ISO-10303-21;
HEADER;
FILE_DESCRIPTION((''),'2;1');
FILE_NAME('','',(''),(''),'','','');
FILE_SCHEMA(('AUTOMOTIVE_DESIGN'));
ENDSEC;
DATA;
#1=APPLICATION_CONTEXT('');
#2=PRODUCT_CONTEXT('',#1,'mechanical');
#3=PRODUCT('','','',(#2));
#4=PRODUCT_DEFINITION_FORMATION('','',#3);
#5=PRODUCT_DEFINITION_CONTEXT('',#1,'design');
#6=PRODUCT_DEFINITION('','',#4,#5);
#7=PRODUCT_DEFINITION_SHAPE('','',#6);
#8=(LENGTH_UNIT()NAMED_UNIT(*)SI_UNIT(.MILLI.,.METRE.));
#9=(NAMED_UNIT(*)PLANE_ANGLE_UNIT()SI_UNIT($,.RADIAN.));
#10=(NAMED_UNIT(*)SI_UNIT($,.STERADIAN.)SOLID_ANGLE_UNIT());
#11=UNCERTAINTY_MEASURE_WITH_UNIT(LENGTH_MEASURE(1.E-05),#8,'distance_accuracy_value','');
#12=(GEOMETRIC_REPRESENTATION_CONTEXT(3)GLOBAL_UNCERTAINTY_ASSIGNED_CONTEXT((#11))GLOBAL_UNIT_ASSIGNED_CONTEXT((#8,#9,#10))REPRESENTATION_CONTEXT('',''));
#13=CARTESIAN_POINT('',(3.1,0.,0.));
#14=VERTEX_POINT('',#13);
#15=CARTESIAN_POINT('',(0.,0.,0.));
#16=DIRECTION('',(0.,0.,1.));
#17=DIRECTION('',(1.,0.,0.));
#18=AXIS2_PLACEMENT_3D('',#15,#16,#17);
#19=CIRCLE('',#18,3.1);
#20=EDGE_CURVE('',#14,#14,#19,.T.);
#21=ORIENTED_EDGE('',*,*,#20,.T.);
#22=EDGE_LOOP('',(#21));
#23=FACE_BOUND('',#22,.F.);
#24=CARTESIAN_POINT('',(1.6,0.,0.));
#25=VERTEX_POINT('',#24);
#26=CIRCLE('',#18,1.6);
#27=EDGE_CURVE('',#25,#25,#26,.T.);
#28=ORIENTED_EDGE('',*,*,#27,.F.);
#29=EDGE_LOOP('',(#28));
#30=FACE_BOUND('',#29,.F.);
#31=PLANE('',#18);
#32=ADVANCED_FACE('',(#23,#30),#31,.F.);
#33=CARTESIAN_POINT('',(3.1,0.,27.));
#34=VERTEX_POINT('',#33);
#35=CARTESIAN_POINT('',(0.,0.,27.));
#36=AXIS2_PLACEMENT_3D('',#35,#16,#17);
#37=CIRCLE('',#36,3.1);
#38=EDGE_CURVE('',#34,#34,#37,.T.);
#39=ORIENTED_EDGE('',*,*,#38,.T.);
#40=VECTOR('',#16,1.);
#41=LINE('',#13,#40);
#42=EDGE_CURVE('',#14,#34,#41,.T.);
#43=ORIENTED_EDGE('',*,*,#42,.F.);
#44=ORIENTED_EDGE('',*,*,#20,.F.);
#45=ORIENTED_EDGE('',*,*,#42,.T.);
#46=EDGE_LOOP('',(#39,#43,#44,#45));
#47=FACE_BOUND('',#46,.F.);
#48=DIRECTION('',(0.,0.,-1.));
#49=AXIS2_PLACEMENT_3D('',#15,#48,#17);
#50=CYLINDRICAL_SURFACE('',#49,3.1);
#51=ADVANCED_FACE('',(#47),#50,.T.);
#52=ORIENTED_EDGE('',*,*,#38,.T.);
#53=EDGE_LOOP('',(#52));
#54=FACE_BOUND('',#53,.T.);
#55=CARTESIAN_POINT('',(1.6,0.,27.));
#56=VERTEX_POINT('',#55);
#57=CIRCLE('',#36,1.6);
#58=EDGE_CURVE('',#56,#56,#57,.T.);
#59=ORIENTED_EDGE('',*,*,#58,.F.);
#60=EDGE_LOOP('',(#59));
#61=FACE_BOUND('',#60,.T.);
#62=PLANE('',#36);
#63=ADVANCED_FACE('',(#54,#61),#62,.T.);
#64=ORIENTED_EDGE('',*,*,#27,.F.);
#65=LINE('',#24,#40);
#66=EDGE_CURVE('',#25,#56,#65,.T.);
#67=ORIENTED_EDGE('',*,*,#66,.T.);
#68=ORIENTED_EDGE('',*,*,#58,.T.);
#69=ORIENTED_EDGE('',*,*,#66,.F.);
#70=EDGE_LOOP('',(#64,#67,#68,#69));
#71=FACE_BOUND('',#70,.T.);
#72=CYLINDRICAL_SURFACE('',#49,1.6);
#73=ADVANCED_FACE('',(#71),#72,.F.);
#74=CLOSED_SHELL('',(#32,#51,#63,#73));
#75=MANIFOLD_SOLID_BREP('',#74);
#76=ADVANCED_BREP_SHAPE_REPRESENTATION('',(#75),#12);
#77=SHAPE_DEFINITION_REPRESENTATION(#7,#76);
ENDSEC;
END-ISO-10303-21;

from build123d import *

# Parameters (mm, degrees)
SKETCH_R   = 3.1
SKETCH_R_2 = 1.6
PAD_DEPTH  = 27


with BuildPart() as part:
    # Sketch → Pad (new body)
    with BuildSketch(Plane.XY):
        Circle(SKETCH_R)
        Circle(SKETCH_R_2, mode=Mode.SUBTRACT)
    extrude(amount=PAD_DEPTH)


solid = part.part
